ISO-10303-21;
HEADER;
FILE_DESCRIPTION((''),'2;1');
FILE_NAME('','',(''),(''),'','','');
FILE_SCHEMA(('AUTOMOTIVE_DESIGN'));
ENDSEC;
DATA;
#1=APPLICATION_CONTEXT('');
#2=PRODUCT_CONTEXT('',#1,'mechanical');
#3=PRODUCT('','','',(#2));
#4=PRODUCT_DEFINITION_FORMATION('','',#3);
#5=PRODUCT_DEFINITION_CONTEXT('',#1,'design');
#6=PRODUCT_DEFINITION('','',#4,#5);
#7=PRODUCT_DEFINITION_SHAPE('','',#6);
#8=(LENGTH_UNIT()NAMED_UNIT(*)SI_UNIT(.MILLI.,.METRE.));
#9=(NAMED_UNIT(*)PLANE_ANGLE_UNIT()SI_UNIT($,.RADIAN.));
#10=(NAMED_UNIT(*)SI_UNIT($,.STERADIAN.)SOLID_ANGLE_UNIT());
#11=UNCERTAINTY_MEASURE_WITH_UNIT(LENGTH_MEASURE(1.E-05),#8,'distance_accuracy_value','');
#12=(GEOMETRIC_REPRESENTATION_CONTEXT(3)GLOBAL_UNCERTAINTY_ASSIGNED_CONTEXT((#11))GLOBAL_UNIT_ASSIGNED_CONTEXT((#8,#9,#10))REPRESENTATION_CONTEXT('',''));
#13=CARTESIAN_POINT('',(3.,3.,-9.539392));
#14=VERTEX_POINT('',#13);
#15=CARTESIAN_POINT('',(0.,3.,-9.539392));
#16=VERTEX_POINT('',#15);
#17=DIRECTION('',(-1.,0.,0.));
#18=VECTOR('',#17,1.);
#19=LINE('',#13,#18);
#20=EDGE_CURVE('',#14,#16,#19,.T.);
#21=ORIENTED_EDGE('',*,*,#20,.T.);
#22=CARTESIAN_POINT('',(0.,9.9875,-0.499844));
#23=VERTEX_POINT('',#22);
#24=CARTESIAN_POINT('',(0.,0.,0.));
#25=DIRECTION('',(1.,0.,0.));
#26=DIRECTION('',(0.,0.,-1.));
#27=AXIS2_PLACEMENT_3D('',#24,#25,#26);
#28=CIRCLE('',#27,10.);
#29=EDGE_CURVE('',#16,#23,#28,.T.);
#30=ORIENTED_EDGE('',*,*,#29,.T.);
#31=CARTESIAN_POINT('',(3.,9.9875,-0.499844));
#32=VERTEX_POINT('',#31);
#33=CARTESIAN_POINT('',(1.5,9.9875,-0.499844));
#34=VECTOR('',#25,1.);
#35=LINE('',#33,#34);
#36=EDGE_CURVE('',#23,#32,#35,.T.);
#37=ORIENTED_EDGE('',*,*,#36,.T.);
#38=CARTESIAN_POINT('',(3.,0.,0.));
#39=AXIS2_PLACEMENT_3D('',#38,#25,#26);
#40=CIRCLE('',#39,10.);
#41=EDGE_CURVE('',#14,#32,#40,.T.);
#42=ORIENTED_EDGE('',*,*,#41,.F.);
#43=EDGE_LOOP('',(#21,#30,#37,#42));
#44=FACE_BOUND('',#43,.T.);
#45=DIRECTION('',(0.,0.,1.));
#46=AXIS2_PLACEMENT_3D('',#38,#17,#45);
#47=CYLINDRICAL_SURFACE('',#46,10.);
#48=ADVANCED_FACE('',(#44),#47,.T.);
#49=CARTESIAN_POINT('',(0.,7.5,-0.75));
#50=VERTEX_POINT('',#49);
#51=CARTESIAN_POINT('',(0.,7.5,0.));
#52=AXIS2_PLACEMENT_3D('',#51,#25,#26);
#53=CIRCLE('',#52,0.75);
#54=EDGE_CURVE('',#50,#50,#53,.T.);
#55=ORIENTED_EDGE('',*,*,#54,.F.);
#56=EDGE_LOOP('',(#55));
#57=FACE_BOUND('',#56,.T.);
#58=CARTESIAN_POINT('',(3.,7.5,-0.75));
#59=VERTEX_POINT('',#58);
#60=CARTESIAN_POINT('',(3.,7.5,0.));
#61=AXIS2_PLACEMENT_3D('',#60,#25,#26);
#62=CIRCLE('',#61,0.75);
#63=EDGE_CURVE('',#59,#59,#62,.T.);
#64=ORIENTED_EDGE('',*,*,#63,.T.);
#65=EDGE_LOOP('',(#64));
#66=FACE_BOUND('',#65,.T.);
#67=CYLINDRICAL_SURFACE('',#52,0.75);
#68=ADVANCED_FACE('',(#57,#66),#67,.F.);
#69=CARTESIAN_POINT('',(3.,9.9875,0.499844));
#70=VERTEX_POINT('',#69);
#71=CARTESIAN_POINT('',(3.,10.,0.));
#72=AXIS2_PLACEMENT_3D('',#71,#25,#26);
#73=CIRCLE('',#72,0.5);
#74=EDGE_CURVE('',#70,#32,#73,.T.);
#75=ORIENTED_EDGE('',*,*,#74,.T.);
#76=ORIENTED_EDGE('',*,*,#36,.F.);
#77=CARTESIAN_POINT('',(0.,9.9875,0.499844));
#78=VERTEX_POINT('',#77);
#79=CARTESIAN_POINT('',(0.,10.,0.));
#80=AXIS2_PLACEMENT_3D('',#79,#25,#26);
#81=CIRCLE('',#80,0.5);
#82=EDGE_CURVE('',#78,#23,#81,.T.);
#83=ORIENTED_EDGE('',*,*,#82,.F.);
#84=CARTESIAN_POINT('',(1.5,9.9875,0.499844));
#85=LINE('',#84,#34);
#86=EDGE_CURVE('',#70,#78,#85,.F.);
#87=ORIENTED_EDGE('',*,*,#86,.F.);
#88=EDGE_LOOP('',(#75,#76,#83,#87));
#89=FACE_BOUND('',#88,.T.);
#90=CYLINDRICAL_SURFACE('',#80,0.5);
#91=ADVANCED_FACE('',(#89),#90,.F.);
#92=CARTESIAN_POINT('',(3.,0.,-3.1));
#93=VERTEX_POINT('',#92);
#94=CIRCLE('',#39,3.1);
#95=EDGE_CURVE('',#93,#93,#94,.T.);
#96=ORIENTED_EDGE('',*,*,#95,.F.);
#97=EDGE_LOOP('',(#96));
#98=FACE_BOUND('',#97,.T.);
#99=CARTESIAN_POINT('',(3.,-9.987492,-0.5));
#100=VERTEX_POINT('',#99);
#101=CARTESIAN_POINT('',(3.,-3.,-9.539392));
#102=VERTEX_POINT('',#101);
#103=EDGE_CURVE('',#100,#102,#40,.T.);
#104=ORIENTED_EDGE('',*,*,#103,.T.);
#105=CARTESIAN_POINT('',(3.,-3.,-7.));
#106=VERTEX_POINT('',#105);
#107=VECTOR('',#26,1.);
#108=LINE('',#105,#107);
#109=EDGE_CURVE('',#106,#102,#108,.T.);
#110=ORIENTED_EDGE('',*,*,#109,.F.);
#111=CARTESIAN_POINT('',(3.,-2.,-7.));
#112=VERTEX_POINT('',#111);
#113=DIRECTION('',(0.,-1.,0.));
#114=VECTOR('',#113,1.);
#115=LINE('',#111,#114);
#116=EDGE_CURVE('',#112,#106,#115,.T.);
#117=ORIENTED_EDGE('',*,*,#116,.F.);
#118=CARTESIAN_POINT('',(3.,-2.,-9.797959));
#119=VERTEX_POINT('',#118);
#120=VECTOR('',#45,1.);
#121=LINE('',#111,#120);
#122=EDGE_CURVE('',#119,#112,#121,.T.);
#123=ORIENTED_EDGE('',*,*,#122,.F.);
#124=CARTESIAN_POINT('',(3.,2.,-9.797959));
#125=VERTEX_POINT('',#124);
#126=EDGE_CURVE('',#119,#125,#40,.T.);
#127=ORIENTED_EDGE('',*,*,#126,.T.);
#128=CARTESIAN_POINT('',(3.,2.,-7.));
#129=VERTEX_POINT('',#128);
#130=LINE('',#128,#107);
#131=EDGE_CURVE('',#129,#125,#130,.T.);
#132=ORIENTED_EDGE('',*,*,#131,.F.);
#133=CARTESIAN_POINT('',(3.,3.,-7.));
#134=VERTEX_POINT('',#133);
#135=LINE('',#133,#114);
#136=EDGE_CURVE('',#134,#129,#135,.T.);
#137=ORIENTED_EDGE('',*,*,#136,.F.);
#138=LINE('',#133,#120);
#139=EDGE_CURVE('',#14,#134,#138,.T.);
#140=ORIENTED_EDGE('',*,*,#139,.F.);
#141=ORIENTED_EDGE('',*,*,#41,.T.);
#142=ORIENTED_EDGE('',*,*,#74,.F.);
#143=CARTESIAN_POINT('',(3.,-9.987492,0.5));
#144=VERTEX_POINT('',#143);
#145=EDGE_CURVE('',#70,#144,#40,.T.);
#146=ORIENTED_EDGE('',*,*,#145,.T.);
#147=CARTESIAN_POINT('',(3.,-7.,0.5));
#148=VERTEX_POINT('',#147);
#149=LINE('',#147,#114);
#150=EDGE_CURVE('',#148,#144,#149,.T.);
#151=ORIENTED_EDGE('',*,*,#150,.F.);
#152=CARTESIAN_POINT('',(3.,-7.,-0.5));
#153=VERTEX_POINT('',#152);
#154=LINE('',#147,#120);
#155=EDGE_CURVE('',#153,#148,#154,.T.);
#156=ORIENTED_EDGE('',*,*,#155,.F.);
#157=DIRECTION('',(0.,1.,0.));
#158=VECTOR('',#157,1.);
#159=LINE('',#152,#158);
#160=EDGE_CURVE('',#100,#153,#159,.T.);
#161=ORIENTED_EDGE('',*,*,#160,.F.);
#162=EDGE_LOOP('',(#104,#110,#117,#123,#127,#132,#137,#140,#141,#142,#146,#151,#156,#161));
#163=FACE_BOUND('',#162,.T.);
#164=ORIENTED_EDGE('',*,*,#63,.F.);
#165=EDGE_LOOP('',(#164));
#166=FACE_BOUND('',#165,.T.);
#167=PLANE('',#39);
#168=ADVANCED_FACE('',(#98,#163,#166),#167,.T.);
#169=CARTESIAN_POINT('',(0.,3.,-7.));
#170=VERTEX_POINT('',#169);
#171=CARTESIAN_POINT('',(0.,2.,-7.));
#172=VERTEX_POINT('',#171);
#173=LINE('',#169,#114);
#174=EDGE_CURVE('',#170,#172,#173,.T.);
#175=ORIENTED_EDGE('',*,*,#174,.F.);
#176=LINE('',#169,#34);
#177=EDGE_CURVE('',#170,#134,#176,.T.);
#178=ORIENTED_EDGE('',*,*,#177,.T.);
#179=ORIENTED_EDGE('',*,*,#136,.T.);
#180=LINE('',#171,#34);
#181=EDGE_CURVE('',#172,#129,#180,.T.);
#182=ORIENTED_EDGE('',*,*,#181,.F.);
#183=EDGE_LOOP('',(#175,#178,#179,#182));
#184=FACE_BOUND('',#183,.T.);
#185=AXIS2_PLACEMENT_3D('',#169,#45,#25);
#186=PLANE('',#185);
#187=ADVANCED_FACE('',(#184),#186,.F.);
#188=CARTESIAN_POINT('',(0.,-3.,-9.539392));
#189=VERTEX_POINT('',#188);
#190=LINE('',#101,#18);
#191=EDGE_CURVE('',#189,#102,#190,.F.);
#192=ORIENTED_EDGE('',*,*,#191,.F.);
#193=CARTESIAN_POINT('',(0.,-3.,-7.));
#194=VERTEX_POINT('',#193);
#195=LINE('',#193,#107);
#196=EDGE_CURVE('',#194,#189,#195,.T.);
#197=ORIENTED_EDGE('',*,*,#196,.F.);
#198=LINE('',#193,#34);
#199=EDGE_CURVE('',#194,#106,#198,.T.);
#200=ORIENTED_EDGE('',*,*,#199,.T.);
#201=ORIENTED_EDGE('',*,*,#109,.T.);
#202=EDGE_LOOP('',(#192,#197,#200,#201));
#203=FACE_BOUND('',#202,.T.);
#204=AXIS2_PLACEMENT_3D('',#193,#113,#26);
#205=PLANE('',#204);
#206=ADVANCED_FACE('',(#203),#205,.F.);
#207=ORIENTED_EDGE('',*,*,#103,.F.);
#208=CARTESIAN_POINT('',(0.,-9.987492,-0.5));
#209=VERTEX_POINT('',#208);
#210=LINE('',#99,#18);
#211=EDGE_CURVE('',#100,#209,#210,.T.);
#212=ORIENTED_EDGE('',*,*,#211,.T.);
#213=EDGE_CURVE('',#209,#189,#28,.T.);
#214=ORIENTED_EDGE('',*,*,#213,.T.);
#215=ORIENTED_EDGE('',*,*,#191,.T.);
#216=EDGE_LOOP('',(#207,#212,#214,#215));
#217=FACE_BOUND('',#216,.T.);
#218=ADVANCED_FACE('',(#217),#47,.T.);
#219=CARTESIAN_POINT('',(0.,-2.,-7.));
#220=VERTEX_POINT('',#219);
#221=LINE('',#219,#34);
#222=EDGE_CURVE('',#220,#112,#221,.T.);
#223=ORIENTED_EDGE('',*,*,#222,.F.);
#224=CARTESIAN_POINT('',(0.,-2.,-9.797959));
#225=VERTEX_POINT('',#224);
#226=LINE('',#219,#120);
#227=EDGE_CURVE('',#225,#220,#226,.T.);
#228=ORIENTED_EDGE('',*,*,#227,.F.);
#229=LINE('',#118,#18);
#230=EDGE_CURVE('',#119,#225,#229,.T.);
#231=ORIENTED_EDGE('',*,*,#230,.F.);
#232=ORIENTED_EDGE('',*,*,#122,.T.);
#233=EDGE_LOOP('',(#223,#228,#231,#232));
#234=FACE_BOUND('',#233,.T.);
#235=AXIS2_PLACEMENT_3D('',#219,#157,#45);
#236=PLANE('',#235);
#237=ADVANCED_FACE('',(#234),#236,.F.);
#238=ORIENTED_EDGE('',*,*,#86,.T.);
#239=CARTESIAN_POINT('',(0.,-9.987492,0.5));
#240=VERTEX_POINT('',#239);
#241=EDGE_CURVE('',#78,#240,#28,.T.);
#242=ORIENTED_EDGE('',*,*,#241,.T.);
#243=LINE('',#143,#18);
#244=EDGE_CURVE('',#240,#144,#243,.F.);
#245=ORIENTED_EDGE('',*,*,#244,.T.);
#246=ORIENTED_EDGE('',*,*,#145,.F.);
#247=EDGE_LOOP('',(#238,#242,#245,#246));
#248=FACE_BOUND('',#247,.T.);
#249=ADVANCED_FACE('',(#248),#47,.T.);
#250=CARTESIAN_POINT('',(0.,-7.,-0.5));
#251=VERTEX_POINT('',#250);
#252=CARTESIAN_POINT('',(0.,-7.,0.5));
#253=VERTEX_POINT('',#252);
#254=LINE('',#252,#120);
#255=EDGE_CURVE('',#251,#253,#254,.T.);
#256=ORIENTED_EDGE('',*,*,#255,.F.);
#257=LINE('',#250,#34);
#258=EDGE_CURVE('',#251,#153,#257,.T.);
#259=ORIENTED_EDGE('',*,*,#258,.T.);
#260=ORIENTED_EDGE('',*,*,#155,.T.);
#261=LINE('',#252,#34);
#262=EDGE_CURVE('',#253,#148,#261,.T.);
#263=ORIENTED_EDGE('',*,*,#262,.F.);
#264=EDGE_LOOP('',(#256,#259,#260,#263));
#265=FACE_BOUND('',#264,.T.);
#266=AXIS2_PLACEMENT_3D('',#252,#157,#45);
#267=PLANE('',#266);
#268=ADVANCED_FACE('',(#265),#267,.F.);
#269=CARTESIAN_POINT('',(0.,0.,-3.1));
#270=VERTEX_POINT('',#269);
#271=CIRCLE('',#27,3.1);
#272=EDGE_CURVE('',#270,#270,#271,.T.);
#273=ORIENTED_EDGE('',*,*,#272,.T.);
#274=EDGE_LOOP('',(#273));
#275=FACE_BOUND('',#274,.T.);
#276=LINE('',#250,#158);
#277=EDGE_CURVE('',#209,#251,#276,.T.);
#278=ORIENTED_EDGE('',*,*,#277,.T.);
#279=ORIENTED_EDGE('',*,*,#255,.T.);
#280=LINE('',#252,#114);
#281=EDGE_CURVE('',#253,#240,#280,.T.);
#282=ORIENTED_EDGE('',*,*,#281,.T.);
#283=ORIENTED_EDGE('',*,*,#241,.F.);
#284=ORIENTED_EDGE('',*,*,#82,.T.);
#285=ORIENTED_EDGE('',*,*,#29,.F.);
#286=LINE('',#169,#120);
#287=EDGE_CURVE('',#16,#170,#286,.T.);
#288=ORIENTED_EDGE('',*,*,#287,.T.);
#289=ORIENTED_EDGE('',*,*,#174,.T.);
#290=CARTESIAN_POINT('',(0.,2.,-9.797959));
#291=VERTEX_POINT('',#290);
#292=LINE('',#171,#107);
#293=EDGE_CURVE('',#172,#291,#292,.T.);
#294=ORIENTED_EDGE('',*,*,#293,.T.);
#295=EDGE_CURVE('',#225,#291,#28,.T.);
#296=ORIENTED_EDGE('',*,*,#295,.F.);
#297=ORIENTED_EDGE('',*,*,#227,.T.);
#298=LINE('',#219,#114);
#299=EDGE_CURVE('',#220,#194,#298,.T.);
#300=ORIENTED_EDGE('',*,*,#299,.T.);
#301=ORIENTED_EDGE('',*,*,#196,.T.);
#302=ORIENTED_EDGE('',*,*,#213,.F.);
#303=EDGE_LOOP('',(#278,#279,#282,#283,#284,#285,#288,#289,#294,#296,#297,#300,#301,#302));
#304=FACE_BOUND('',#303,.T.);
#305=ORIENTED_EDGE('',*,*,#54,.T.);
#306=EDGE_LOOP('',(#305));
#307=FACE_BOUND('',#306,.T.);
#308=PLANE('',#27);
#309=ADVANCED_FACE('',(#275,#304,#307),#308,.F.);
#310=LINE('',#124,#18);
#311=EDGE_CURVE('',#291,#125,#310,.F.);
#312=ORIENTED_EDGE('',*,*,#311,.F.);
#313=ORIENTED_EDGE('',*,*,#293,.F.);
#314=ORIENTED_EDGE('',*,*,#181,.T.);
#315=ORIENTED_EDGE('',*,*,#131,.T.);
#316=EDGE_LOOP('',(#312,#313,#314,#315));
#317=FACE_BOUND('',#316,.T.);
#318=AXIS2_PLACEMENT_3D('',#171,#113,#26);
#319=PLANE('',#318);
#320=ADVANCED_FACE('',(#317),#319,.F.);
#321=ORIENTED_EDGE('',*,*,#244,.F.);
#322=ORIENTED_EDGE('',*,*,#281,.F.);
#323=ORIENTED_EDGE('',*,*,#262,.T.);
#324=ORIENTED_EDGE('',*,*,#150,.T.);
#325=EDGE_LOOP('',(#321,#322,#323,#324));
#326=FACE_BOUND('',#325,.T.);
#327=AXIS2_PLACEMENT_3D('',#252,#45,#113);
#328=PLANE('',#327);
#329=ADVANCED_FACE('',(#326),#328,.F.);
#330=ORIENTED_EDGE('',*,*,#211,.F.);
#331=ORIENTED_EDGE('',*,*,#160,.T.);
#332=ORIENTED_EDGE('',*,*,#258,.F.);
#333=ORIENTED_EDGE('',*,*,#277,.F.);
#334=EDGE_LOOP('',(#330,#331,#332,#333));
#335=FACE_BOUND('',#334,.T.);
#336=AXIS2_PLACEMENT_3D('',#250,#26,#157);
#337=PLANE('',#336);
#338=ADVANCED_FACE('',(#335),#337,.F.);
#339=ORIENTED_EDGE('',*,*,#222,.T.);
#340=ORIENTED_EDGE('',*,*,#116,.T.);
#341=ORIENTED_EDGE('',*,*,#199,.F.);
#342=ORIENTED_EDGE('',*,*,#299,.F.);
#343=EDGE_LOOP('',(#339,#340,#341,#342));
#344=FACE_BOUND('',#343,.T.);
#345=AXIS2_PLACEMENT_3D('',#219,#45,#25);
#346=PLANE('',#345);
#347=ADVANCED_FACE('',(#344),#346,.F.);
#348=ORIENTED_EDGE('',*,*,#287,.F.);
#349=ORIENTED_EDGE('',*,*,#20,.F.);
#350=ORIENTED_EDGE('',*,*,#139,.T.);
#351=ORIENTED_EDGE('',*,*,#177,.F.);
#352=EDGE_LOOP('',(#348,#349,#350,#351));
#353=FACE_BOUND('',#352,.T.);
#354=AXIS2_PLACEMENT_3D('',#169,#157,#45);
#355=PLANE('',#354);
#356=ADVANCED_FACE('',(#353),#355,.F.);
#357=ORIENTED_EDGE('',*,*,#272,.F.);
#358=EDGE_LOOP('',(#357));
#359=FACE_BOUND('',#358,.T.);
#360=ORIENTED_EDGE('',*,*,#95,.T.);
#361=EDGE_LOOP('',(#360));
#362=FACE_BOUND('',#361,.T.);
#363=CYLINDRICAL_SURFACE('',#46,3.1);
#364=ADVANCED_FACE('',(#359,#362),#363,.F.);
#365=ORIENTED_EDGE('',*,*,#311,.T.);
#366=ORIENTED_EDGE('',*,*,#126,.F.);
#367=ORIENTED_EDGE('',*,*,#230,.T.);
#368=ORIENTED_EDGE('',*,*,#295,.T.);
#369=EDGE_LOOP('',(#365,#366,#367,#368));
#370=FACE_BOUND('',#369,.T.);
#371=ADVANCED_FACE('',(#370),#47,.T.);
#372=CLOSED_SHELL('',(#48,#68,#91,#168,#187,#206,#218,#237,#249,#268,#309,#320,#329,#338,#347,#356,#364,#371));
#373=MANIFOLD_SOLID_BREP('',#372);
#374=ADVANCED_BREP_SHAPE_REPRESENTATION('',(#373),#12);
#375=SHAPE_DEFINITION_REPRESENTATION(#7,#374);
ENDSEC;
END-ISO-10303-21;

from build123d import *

# Parameters (mm, degrees)
SKETCH1_R           = 10
SKETCH1_R_2         = 3.1
BOSS_EXTRUDE1_DEPTH = 3
SKETCH2_R           = 0.75
SKETCH2_R_2         = 0.5
SKETCH2_W           = 5.709686215
SKETCH2_H           = 1
SKETCH2_W_2         = 1
SKETCH2_H_2         = 4.505813393
CUT_EXTRUDE1_DEPTH  = 3


with BuildPart() as part:
    # Sketch1 → Boss-Extrude1 (new body)
    with BuildSketch(Plane(origin=(0, 0, 0), x_dir=(0, 0, -1), z_dir=(1, 0, 0))):
        Circle(SKETCH1_R)
        Circle(SKETCH1_R_2, mode=Mode.SUBTRACT)
    extrude(amount=BOSS_EXTRUDE1_DEPTH)

    # Sketch2 → Cut-Extrude1 (cut)
    with BuildSketch(Plane(origin=(3, 0, 0), x_dir=(0, 0, -1), z_dir=(1, 0, 0))):
        with Locations((0, 7.5)):
            Circle(SKETCH2_R)
        with Locations((0, 10)):
            Circle(SKETCH2_R_2)
        with Locations((9.854843108, 2.5)):
            Rectangle(SKETCH2_W, SKETCH2_H)
        with Locations((9.854843108, -2.5)):
            Rectangle(SKETCH2_W, SKETCH2_H)
        with Locations((0, -9.252906697)):
            Rectangle(SKETCH2_W_2, SKETCH2_H_2)
    extrude(amount=-CUT_EXTRUDE1_DEPTH, mode=Mode.SUBTRACT)


solid = part.part
